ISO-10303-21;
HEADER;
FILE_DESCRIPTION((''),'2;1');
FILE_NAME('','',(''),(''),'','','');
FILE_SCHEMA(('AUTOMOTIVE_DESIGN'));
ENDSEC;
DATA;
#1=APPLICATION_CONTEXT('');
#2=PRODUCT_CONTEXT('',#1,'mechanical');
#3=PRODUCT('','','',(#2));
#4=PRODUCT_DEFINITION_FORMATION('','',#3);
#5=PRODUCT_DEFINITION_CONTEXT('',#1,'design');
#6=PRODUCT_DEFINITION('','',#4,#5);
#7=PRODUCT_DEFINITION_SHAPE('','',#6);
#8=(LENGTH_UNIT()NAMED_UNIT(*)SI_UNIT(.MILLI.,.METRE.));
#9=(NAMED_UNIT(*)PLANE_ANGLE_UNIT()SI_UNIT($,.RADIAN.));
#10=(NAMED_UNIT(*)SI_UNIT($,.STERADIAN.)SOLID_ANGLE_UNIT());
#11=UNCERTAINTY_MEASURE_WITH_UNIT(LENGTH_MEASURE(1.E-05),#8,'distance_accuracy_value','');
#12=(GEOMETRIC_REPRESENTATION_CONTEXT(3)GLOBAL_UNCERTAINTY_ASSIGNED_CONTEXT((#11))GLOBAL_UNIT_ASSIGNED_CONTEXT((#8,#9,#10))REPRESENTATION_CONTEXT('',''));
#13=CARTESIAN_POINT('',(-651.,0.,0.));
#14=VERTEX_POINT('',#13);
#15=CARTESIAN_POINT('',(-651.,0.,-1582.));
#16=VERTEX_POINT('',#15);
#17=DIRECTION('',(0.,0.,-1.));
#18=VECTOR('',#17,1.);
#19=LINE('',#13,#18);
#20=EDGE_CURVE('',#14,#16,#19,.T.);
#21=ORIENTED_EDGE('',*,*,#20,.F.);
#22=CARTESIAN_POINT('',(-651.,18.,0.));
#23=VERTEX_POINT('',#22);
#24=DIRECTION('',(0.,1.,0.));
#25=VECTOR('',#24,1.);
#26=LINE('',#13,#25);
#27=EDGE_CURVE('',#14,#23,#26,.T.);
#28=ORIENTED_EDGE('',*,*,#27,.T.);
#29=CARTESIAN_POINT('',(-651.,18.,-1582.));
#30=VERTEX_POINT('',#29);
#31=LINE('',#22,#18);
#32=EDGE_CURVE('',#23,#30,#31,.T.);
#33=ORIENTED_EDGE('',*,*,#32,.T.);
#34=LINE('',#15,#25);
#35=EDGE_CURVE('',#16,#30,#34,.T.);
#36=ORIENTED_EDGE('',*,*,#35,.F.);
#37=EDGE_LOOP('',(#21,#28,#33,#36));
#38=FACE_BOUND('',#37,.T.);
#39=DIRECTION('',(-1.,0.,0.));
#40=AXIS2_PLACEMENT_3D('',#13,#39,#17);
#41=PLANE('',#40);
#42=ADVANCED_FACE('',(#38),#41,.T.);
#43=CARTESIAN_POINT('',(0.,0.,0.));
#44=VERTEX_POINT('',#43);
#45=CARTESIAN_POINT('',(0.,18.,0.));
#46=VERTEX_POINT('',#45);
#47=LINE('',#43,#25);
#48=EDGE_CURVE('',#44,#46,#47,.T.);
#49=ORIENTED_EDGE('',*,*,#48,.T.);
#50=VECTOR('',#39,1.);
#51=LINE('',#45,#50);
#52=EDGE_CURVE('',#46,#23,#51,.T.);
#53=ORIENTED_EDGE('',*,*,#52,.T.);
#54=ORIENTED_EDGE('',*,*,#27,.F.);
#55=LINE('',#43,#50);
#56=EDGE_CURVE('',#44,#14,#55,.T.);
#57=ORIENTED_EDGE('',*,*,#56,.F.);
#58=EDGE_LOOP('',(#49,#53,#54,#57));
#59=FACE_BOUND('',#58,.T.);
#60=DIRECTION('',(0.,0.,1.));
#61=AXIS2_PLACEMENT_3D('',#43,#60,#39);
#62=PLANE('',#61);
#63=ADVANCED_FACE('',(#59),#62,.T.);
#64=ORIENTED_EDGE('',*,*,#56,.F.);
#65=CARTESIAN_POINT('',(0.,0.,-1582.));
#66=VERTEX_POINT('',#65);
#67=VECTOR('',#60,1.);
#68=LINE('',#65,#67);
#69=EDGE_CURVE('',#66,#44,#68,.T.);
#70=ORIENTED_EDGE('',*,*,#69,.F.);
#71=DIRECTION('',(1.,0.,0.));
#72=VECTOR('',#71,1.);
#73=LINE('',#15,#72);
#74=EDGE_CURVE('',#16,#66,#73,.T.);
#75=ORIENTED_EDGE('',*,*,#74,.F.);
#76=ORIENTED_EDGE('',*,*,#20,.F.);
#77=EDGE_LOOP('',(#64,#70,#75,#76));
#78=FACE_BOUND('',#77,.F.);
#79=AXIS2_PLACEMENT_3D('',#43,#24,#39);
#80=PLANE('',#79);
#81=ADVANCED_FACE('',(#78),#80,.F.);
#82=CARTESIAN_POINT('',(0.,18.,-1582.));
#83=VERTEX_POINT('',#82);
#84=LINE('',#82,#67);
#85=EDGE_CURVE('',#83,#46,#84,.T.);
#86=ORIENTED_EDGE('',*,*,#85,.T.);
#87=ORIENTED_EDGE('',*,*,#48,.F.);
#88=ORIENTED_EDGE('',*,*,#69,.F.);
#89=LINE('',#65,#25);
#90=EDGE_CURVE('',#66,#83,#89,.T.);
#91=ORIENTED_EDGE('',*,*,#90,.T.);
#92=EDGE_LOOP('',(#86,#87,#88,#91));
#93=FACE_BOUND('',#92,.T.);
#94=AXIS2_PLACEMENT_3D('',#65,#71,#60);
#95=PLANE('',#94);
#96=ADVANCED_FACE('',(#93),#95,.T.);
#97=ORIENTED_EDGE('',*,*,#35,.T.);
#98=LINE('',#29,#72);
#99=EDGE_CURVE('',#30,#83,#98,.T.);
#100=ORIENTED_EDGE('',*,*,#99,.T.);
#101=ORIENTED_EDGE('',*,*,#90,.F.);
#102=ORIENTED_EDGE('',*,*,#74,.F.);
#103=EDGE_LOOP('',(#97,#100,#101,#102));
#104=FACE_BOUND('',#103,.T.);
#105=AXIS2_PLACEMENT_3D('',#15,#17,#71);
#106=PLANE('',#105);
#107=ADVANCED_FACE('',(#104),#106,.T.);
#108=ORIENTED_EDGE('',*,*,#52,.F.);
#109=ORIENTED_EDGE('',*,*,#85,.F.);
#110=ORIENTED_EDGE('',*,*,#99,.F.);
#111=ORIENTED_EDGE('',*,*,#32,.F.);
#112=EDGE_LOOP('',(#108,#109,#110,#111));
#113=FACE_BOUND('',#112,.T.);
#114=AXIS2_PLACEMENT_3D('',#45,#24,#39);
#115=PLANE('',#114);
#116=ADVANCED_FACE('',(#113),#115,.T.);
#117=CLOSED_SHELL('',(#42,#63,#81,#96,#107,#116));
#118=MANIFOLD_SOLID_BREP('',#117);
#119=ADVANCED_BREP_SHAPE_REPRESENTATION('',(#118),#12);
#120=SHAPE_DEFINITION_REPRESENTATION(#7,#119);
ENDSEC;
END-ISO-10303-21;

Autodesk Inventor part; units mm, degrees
ref_plane "YZ Plane" through (0, 0, 0) normal (1, 0, 0) x (0, 1, 0)
ref_plane "XZ Plane" through (0, 0, 0) normal (0, 1, 0) x (-1, 0, 0)
ref_plane "XY Plane" through (0, 0, 0) normal (0, 0, 1) x (1, 0, 0)
sketch "Sketch1" plane through (0, 0, 0) normal (0, 1, 0) x (-1, 0, 0)
  line L0 (0, 0) -> (651, 0)
  line L1 (651, 0) -> (651, -1582)
  line L2 (651, -1582) -> (0, -1582)
  line L3 (0, -1582) -> (0, 0)
  dimension "d0" = 651
  dimension "d1" = 1582
extrude "Extrusion1" add sketch "Sketch1" along normal blind 18
properties part number "tapa" material "Wood (Cherry)"
